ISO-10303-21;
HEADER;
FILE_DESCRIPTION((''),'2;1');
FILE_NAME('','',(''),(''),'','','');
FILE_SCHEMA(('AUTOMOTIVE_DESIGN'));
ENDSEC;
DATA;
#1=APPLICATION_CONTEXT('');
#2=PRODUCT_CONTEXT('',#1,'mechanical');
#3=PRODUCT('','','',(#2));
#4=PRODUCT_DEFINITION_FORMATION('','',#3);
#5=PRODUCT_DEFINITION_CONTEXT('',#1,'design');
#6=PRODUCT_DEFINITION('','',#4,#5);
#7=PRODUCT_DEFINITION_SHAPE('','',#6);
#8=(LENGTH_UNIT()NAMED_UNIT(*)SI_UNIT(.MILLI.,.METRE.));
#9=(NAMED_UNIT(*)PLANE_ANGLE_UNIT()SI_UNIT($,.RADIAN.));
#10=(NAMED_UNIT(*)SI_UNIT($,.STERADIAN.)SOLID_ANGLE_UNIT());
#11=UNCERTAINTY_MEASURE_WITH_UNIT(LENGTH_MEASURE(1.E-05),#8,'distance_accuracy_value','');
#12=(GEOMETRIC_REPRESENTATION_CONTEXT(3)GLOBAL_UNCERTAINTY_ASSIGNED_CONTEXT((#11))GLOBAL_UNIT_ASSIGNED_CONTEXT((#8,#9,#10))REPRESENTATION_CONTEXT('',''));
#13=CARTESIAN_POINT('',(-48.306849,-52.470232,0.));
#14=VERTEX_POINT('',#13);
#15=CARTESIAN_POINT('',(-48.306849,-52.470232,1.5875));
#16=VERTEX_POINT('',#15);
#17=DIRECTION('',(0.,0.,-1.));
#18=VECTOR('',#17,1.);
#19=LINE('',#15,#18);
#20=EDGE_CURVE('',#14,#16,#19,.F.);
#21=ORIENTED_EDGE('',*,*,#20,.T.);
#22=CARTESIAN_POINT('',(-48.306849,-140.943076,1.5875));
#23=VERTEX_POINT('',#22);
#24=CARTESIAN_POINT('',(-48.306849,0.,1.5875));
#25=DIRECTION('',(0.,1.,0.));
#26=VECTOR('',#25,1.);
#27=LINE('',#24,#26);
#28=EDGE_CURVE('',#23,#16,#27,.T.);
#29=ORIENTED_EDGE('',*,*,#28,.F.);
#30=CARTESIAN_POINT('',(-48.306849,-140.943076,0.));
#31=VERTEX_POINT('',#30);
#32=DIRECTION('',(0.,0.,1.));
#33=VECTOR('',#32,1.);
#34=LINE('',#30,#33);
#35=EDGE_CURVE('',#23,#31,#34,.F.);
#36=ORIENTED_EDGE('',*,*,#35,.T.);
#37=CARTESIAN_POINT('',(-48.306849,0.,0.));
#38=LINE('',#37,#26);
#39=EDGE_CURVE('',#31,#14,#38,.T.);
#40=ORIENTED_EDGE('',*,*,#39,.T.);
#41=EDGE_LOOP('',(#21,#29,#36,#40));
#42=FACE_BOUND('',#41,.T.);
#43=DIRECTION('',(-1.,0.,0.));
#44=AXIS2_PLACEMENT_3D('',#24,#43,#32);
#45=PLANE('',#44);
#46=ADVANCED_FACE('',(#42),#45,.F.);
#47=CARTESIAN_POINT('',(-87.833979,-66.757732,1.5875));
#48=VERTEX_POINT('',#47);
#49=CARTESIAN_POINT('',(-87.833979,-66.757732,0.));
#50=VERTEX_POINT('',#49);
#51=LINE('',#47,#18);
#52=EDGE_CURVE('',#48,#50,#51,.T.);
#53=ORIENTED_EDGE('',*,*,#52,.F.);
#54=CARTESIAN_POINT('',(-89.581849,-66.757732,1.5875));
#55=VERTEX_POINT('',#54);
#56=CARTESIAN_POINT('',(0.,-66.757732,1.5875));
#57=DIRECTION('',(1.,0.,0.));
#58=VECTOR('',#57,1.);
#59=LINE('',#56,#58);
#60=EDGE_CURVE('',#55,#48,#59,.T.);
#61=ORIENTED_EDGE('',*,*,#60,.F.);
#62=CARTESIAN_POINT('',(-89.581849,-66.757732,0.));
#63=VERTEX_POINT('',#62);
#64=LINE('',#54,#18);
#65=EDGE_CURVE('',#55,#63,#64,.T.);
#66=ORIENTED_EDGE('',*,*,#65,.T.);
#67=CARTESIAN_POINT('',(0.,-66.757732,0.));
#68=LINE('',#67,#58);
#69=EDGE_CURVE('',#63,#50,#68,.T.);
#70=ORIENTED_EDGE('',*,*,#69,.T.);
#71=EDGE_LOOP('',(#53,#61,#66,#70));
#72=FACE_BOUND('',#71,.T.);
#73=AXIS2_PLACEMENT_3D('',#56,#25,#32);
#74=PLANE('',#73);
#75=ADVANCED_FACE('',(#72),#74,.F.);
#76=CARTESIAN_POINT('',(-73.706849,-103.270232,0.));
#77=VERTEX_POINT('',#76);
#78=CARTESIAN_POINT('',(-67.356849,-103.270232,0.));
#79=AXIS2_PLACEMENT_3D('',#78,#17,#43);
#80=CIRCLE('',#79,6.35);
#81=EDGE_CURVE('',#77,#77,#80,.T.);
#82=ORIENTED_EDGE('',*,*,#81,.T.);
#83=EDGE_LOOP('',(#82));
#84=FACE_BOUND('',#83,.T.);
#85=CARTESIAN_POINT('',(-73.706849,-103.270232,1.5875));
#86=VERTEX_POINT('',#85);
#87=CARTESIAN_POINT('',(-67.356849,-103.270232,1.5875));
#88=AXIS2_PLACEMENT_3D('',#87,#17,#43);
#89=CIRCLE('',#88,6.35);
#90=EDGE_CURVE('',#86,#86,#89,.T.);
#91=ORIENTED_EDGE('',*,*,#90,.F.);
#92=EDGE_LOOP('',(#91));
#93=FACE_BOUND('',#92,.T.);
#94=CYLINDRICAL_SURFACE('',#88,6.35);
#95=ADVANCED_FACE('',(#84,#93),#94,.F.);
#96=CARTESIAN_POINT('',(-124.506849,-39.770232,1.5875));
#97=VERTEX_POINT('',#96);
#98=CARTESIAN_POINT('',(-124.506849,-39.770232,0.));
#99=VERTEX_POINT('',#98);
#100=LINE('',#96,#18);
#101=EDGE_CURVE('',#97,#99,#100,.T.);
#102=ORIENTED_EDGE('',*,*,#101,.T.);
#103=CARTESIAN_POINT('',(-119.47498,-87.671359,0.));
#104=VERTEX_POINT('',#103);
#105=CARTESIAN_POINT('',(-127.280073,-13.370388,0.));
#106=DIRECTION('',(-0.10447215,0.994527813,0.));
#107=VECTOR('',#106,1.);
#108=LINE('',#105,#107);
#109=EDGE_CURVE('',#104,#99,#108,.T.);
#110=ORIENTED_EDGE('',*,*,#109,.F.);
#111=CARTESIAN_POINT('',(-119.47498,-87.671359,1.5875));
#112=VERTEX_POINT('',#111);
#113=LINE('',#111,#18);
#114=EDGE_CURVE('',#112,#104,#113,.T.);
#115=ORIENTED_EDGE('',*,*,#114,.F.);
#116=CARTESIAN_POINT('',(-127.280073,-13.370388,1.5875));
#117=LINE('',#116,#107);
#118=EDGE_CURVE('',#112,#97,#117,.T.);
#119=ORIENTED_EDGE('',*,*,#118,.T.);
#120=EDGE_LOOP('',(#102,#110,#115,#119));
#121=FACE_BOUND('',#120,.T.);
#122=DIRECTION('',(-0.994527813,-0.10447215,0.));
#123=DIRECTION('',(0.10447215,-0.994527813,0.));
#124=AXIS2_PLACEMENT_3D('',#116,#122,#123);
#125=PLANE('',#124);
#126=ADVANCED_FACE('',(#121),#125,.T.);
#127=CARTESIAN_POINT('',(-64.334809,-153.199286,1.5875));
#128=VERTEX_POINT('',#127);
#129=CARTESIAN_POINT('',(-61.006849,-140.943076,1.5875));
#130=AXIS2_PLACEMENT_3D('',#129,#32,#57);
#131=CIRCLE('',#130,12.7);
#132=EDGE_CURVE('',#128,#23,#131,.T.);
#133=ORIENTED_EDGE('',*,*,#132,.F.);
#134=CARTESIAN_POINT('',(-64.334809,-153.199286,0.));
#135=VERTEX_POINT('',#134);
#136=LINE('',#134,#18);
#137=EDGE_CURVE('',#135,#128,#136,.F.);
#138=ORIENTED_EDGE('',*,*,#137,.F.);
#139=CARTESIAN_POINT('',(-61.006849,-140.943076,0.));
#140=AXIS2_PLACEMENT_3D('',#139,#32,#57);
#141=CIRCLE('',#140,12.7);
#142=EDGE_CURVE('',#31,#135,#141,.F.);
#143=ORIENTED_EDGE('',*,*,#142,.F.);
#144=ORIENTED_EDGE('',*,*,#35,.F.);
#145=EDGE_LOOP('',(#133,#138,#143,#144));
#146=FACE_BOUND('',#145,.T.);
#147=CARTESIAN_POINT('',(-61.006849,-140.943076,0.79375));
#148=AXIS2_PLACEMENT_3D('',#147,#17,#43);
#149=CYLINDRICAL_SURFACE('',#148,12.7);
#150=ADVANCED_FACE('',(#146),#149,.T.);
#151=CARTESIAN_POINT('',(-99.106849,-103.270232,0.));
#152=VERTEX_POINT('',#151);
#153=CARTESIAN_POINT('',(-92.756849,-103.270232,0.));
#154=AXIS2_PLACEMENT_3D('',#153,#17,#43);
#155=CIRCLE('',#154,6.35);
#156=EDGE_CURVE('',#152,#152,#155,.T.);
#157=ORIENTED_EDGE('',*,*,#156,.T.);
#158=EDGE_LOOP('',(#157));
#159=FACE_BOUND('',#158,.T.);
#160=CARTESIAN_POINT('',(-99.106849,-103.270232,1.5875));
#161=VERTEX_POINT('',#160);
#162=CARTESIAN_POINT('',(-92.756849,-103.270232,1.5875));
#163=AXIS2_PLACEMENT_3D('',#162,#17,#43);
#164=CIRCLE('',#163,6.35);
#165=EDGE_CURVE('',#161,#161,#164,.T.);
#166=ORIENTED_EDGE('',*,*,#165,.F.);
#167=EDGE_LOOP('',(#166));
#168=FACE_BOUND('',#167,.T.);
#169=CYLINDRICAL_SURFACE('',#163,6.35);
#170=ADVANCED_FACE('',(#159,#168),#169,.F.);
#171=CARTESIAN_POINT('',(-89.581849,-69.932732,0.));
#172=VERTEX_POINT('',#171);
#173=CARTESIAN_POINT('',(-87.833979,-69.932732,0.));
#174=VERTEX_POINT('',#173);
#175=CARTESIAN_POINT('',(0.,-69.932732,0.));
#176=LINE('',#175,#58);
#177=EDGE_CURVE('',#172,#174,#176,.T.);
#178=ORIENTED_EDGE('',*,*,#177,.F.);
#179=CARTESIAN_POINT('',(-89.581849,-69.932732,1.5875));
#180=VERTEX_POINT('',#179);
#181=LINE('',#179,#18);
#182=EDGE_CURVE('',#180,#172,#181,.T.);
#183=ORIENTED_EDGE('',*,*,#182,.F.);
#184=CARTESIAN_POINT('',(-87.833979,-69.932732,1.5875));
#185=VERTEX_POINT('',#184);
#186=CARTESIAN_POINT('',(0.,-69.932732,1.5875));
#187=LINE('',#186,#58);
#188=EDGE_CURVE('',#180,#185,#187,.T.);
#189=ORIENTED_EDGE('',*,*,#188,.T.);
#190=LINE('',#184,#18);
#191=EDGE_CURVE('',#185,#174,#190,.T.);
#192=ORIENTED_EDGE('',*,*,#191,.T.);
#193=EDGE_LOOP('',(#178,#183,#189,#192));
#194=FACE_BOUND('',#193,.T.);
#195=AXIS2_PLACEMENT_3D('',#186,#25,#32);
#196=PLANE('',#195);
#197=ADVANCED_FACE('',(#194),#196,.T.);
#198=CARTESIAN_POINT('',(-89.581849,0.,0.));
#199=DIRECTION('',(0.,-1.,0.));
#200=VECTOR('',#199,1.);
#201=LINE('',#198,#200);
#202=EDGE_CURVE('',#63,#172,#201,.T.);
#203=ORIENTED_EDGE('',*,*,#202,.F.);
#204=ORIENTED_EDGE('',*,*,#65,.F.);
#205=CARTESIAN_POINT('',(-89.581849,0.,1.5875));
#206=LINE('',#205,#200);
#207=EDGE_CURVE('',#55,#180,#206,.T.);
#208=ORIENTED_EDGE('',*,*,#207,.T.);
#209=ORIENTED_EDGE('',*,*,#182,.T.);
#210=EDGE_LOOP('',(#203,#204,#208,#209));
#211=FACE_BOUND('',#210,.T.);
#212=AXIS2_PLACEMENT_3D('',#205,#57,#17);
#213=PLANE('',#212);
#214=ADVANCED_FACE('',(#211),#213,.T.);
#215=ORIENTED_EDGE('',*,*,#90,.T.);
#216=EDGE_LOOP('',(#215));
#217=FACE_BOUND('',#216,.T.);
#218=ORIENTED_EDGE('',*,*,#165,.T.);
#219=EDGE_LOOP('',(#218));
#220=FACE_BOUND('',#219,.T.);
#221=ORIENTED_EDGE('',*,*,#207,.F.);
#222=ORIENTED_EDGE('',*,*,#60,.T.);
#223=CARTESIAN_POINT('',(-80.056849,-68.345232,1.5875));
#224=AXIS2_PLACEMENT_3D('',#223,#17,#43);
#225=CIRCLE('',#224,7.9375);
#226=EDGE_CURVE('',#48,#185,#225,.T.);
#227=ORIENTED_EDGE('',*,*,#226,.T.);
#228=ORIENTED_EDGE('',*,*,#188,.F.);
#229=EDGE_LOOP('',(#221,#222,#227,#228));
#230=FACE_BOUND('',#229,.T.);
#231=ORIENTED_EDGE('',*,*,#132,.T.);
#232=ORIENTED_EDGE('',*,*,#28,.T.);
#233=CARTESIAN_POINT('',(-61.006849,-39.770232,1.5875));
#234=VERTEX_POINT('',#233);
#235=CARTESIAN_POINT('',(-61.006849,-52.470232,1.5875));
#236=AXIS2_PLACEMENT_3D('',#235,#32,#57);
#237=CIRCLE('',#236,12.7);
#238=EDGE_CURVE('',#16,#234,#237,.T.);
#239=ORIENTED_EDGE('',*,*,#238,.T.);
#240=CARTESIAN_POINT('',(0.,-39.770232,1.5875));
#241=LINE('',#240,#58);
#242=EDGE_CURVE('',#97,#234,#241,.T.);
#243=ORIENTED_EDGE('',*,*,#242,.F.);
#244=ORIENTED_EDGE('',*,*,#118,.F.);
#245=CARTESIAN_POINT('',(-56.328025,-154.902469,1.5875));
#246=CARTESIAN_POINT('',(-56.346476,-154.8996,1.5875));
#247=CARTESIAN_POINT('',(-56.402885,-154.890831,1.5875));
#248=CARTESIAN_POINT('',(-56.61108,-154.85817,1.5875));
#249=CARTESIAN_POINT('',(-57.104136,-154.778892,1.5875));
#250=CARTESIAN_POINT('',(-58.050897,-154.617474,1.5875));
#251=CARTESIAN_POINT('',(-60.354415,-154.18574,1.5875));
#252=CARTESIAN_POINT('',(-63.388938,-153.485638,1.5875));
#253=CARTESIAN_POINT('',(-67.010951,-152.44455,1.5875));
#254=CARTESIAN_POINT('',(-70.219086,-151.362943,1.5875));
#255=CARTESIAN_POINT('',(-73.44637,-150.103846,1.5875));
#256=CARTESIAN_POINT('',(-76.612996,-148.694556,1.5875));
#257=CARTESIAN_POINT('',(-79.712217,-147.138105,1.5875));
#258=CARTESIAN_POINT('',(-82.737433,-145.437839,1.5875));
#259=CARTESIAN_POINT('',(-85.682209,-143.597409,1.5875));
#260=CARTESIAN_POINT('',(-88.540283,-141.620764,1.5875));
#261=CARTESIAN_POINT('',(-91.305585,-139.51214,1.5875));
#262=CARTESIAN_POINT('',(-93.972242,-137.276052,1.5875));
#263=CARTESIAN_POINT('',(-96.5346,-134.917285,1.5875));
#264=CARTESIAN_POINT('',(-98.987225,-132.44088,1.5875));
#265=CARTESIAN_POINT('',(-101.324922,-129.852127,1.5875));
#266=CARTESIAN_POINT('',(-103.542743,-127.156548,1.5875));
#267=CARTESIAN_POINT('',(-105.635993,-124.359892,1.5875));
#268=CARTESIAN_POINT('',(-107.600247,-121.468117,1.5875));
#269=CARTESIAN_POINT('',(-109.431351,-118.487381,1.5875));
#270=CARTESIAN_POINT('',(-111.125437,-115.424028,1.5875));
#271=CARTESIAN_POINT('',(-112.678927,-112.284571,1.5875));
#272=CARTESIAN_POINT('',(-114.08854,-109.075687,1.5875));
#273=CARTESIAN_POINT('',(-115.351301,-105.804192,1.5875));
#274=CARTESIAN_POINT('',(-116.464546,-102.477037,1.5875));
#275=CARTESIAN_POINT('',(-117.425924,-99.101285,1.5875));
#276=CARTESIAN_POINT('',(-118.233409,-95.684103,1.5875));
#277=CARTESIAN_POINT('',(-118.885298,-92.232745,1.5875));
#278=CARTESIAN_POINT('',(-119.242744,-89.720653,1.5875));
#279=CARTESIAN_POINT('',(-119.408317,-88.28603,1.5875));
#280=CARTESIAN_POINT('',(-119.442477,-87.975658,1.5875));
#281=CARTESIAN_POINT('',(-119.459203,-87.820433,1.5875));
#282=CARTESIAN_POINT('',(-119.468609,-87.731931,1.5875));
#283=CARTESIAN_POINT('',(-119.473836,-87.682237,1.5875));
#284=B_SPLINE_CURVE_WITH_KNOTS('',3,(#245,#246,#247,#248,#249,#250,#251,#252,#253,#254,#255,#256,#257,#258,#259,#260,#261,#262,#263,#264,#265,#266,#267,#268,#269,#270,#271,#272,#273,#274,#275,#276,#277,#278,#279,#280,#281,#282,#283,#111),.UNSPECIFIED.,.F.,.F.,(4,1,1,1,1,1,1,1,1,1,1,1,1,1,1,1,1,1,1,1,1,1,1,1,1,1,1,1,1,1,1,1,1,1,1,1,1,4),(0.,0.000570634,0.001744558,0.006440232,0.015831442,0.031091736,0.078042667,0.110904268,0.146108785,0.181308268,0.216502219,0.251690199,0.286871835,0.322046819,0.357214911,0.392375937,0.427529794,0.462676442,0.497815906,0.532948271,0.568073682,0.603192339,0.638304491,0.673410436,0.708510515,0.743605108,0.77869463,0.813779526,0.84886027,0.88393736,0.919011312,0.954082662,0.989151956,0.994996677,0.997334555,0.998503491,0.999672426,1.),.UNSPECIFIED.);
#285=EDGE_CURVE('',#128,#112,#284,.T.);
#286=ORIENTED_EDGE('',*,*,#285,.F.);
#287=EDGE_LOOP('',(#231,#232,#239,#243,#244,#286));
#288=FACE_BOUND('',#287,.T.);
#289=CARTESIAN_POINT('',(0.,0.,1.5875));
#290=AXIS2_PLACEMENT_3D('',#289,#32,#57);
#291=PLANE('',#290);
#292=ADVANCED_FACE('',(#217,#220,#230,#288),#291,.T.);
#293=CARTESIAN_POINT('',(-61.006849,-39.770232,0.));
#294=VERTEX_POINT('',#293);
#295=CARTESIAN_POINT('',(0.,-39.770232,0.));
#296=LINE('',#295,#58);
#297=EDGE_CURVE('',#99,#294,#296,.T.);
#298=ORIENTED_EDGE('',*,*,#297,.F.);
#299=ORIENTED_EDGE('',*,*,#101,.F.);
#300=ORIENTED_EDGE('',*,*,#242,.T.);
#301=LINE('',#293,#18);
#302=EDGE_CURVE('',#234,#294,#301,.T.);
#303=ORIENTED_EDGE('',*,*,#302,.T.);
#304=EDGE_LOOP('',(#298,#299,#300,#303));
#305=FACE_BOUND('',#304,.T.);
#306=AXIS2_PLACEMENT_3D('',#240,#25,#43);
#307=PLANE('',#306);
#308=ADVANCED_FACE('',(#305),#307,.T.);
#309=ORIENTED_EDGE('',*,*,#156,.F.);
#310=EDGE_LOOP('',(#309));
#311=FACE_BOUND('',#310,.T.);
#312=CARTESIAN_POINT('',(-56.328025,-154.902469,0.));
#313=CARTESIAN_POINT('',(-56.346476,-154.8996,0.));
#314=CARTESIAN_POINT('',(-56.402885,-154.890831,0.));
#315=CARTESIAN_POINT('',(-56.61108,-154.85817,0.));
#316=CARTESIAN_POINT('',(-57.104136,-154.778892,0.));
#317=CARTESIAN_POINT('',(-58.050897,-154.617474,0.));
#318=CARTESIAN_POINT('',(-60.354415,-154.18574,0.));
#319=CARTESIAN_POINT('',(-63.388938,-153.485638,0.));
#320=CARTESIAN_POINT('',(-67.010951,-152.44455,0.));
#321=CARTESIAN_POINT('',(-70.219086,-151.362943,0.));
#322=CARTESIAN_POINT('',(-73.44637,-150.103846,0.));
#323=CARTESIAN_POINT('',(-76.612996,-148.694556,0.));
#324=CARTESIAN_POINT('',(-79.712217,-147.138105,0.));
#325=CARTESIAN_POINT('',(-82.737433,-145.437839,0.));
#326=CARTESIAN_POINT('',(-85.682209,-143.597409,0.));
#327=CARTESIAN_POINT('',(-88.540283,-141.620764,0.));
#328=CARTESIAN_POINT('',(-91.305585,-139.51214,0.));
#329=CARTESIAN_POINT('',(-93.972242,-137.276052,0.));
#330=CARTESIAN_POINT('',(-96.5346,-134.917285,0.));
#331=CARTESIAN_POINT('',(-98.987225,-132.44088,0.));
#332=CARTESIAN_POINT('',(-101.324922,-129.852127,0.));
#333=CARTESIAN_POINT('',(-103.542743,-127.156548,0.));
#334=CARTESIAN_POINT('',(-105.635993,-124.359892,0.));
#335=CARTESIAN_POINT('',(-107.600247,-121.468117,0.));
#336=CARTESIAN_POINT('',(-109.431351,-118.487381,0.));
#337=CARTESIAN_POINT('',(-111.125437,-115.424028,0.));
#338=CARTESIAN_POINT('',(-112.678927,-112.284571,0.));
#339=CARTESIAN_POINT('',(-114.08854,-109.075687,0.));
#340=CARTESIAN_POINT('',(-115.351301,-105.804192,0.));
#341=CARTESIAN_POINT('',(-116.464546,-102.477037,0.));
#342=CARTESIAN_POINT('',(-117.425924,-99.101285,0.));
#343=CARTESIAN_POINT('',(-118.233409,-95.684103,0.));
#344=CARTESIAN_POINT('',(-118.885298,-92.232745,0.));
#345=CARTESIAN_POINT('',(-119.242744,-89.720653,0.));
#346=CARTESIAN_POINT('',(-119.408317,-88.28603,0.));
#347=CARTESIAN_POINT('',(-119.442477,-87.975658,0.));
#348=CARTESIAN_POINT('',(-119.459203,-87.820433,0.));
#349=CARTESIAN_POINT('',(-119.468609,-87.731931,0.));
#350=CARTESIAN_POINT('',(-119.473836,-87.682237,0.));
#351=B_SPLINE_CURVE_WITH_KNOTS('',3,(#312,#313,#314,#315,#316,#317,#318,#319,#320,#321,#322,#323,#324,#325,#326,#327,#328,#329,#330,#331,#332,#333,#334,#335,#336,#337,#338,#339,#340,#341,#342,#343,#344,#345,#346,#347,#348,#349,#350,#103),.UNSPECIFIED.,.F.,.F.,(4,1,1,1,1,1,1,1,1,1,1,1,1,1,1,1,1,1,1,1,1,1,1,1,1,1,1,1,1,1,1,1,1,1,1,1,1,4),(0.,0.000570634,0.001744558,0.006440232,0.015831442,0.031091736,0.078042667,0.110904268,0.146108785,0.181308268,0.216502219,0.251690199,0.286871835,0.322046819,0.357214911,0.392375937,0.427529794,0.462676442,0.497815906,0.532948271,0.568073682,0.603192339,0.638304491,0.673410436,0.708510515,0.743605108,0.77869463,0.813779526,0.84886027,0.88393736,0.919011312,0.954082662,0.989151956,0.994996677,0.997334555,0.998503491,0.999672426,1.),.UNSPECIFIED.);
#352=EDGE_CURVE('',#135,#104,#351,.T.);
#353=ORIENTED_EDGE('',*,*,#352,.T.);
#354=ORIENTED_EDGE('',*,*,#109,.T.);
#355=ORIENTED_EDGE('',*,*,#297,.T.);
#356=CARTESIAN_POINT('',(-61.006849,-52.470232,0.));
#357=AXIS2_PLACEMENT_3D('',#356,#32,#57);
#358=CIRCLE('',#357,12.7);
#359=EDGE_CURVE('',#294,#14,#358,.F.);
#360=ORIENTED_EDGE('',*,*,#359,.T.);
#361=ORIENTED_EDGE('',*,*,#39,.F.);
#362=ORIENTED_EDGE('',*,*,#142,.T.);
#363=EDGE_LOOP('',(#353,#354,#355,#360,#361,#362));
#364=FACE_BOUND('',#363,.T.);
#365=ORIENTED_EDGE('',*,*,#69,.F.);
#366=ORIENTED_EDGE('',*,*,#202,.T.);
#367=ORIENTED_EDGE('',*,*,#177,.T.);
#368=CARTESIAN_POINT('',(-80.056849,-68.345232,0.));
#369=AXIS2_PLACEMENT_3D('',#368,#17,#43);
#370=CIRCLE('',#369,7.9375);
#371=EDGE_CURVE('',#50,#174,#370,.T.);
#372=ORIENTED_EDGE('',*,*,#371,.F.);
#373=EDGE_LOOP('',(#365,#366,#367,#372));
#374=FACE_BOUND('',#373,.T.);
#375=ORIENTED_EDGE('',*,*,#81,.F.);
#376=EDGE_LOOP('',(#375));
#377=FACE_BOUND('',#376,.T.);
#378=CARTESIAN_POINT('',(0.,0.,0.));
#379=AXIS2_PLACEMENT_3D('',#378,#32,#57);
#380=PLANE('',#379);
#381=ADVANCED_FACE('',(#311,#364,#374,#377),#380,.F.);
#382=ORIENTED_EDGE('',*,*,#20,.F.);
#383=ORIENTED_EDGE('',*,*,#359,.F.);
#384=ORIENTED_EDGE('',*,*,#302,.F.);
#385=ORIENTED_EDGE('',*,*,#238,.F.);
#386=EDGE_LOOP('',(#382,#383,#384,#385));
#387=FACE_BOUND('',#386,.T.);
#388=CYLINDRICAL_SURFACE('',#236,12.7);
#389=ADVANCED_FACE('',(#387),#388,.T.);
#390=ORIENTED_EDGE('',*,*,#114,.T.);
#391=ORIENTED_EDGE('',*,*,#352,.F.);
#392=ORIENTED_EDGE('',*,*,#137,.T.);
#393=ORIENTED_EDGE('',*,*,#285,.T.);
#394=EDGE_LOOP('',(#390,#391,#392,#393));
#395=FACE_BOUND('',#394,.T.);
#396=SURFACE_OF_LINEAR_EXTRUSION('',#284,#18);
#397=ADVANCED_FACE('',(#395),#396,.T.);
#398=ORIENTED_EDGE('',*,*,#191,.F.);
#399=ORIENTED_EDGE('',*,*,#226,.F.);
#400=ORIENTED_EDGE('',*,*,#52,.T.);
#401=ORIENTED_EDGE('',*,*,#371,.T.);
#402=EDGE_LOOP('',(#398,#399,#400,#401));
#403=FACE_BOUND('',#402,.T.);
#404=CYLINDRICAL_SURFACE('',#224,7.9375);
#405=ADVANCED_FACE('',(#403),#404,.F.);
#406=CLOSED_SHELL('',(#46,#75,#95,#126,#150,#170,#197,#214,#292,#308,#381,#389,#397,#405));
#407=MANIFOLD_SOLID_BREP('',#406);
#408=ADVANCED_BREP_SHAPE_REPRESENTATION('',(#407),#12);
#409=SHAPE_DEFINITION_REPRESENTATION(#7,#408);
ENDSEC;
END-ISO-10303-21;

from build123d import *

# Parameters (mm, degrees)
BOSS_EXTRUDE1_DEPTH = 1.5875
SKETCH2_R           = 6.35
CUT_EXTRUDE1_DEPTH  = 200.716179568
FILLET1_R           = 12.7


with BuildPart() as part:
    # Sketch1 → Boss-Extrude1 (new body)
    with BuildSketch(Plane.XY):
        with BuildLine():
            Line((-124.506849283, -39.770231507), (-119.474980228, -87.671358692))
            add(Edge.make_bspline(
                [(-56.3280252, -154.902468877), (-56.346476044, -154.899600353), (-56.402884517, -154.890830617), (-56.611080033, -154.858170111), (-57.104136424, -154.77889222), (-58.050896577, -154.617474356), (-60.354414853, -154.185740423), (-63.388938266, -153.485638357), (-67.010951192, -152.444549796), (-70.219086063, -151.362943176), (-73.446369967, -150.103845866), (-76.612996137, -148.694555998), (-79.712216879, -147.138105291), (-82.737433419, -145.437839357), (-85.682209143, -143.597409415), (-88.540283438, -141.620764011), (-91.305584556, -139.512139868), (-93.972242223, -137.276052336), (-96.534599628, -134.917285272), (-98.987224972, -132.440880464), (-101.324922461, -129.852126585), (-103.542742806, -127.156547725), (-105.635993175, -124.359891507), (-107.600246622, -121.468116813), (-109.431350973, -118.487381131), (-111.125437151, -115.424027557), (-112.678926942, -112.284571448), (-114.088540191, -109.075686767), (-115.351301396, -105.804192123), (-116.464545718, -102.477036535), (-117.425924357, -99.101284939), (-118.233409317, -95.684103469), (-118.885297518, -92.232744524), (-119.242744402, -89.7206526), (-119.408317309, -88.286030012), (-119.442476963, -87.975658316), (-119.45920335, -87.820433155), (-119.468609128, -87.731931499), (-119.473836089, -87.682236519), (-119.474980228, -87.671358692)],
                knots=[0, 0, 0, 0, 0.000570634, 0.001744558, 0.006440232, 0.015831442, 0.031091736, 0.078042667, 0.110904268, 0.146108785, 0.181308268, 0.216502219, 0.251690199, 0.286871835, 0.322046819, 0.357214911, 0.392375937, 0.427529794, 0.462676442, 0.497815906, 0.532948271, 0.568073682, 0.603192339, 0.638304491, 0.673410436, 0.708510515, 0.743605108, 0.77869463, 0.813779526, 0.84886027, 0.88393736, 0.919011312, 0.954082662, 0.989151956, 0.994996677, 0.997334555, 0.998503491, 0.999672426, 1, 1, 1, 1], degree=3))
            Line((-56.3280252, -154.902468877), (-48.306849283, -156.147611733))
            Line((-48.306849283, -156.147611733), (-48.306849283, -39.770231507))
            Line((-48.306849283, -39.770231507), (-124.506849283, -39.770231507))
        make_face()
    extrude(amount=BOSS_EXTRUDE1_DEPTH)

    # Sketch2 → Cut-Extrude1 (cut, through all)
    with BuildSketch(Plane(origin=(0, 0, 0), x_dir=(-1, 0, 0), z_dir=(0, 0, -1))):
        with Locations((67.356849283, -103.270231507)):
            Circle(SKETCH2_R)
        with Locations((92.756849283, -103.270231507)):
            Circle(SKETCH2_R)
        with BuildLine():
            ThreePointArc((87.994349283, -68.345231507), (87.954154998, -67.547441621), (87.833979216, -66.757731507))
            Line((87.833979216, -66.757731507), (86.406849283, -66.757731507))
            Line((86.406849283, -66.757731507), (86.406849283, -69.932731507))
            Line((86.406849283, -69.932731507), (87.833979216, -69.932731507))
            ThreePointArc((87.833979216, -69.932731507), (87.954154998, -69.143021393), (87.994349283, -68.345231507))
        make_face()
        with BuildLine():
            Line((86.406849283, -66.757731507), (87.833979216, -66.757731507))
            ThreePointArc((87.833979216, -66.757731507), (72.119349283, -68.345231507), (87.833979216, -69.932731507))
            Line((87.833979216, -69.932731507), (86.406849283, -69.932731507))
            Line((86.406849283, -69.932731507), (86.406849283, -66.757731507))
        make_face()
        with BuildLine():
            Line((89.581849283, -69.932731507), (89.581849283, -66.757731507))
            Line((89.581849283, -66.757731507), (87.833979216, -66.757731507))
            ThreePointArc((87.833979216, -66.757731507), (87.954154998, -67.547441621), (87.994349283, -68.345231507))
            ThreePointArc((87.994349283, -68.345231507), (87.954154998, -69.143021393), (87.833979216, -69.932731507))
            Line((87.833979216, -69.932731507), (89.581849283, -69.932731507))
        make_face()
    extrude(amount=-CUT_EXTRUDE1_DEPTH, mode=Mode.SUBTRACT)

    # Fillet1
    fillet1_edges = [part.edges().sort_by_distance(p)[0] for p in [
        (-48.306849283, -39.770231507, 0.79375),
        (-48.306849283, -156.147611733, 0.79375),
    ]]
    fillet(fillet1_edges, radius=FILLET1_R)


solid = part.part
